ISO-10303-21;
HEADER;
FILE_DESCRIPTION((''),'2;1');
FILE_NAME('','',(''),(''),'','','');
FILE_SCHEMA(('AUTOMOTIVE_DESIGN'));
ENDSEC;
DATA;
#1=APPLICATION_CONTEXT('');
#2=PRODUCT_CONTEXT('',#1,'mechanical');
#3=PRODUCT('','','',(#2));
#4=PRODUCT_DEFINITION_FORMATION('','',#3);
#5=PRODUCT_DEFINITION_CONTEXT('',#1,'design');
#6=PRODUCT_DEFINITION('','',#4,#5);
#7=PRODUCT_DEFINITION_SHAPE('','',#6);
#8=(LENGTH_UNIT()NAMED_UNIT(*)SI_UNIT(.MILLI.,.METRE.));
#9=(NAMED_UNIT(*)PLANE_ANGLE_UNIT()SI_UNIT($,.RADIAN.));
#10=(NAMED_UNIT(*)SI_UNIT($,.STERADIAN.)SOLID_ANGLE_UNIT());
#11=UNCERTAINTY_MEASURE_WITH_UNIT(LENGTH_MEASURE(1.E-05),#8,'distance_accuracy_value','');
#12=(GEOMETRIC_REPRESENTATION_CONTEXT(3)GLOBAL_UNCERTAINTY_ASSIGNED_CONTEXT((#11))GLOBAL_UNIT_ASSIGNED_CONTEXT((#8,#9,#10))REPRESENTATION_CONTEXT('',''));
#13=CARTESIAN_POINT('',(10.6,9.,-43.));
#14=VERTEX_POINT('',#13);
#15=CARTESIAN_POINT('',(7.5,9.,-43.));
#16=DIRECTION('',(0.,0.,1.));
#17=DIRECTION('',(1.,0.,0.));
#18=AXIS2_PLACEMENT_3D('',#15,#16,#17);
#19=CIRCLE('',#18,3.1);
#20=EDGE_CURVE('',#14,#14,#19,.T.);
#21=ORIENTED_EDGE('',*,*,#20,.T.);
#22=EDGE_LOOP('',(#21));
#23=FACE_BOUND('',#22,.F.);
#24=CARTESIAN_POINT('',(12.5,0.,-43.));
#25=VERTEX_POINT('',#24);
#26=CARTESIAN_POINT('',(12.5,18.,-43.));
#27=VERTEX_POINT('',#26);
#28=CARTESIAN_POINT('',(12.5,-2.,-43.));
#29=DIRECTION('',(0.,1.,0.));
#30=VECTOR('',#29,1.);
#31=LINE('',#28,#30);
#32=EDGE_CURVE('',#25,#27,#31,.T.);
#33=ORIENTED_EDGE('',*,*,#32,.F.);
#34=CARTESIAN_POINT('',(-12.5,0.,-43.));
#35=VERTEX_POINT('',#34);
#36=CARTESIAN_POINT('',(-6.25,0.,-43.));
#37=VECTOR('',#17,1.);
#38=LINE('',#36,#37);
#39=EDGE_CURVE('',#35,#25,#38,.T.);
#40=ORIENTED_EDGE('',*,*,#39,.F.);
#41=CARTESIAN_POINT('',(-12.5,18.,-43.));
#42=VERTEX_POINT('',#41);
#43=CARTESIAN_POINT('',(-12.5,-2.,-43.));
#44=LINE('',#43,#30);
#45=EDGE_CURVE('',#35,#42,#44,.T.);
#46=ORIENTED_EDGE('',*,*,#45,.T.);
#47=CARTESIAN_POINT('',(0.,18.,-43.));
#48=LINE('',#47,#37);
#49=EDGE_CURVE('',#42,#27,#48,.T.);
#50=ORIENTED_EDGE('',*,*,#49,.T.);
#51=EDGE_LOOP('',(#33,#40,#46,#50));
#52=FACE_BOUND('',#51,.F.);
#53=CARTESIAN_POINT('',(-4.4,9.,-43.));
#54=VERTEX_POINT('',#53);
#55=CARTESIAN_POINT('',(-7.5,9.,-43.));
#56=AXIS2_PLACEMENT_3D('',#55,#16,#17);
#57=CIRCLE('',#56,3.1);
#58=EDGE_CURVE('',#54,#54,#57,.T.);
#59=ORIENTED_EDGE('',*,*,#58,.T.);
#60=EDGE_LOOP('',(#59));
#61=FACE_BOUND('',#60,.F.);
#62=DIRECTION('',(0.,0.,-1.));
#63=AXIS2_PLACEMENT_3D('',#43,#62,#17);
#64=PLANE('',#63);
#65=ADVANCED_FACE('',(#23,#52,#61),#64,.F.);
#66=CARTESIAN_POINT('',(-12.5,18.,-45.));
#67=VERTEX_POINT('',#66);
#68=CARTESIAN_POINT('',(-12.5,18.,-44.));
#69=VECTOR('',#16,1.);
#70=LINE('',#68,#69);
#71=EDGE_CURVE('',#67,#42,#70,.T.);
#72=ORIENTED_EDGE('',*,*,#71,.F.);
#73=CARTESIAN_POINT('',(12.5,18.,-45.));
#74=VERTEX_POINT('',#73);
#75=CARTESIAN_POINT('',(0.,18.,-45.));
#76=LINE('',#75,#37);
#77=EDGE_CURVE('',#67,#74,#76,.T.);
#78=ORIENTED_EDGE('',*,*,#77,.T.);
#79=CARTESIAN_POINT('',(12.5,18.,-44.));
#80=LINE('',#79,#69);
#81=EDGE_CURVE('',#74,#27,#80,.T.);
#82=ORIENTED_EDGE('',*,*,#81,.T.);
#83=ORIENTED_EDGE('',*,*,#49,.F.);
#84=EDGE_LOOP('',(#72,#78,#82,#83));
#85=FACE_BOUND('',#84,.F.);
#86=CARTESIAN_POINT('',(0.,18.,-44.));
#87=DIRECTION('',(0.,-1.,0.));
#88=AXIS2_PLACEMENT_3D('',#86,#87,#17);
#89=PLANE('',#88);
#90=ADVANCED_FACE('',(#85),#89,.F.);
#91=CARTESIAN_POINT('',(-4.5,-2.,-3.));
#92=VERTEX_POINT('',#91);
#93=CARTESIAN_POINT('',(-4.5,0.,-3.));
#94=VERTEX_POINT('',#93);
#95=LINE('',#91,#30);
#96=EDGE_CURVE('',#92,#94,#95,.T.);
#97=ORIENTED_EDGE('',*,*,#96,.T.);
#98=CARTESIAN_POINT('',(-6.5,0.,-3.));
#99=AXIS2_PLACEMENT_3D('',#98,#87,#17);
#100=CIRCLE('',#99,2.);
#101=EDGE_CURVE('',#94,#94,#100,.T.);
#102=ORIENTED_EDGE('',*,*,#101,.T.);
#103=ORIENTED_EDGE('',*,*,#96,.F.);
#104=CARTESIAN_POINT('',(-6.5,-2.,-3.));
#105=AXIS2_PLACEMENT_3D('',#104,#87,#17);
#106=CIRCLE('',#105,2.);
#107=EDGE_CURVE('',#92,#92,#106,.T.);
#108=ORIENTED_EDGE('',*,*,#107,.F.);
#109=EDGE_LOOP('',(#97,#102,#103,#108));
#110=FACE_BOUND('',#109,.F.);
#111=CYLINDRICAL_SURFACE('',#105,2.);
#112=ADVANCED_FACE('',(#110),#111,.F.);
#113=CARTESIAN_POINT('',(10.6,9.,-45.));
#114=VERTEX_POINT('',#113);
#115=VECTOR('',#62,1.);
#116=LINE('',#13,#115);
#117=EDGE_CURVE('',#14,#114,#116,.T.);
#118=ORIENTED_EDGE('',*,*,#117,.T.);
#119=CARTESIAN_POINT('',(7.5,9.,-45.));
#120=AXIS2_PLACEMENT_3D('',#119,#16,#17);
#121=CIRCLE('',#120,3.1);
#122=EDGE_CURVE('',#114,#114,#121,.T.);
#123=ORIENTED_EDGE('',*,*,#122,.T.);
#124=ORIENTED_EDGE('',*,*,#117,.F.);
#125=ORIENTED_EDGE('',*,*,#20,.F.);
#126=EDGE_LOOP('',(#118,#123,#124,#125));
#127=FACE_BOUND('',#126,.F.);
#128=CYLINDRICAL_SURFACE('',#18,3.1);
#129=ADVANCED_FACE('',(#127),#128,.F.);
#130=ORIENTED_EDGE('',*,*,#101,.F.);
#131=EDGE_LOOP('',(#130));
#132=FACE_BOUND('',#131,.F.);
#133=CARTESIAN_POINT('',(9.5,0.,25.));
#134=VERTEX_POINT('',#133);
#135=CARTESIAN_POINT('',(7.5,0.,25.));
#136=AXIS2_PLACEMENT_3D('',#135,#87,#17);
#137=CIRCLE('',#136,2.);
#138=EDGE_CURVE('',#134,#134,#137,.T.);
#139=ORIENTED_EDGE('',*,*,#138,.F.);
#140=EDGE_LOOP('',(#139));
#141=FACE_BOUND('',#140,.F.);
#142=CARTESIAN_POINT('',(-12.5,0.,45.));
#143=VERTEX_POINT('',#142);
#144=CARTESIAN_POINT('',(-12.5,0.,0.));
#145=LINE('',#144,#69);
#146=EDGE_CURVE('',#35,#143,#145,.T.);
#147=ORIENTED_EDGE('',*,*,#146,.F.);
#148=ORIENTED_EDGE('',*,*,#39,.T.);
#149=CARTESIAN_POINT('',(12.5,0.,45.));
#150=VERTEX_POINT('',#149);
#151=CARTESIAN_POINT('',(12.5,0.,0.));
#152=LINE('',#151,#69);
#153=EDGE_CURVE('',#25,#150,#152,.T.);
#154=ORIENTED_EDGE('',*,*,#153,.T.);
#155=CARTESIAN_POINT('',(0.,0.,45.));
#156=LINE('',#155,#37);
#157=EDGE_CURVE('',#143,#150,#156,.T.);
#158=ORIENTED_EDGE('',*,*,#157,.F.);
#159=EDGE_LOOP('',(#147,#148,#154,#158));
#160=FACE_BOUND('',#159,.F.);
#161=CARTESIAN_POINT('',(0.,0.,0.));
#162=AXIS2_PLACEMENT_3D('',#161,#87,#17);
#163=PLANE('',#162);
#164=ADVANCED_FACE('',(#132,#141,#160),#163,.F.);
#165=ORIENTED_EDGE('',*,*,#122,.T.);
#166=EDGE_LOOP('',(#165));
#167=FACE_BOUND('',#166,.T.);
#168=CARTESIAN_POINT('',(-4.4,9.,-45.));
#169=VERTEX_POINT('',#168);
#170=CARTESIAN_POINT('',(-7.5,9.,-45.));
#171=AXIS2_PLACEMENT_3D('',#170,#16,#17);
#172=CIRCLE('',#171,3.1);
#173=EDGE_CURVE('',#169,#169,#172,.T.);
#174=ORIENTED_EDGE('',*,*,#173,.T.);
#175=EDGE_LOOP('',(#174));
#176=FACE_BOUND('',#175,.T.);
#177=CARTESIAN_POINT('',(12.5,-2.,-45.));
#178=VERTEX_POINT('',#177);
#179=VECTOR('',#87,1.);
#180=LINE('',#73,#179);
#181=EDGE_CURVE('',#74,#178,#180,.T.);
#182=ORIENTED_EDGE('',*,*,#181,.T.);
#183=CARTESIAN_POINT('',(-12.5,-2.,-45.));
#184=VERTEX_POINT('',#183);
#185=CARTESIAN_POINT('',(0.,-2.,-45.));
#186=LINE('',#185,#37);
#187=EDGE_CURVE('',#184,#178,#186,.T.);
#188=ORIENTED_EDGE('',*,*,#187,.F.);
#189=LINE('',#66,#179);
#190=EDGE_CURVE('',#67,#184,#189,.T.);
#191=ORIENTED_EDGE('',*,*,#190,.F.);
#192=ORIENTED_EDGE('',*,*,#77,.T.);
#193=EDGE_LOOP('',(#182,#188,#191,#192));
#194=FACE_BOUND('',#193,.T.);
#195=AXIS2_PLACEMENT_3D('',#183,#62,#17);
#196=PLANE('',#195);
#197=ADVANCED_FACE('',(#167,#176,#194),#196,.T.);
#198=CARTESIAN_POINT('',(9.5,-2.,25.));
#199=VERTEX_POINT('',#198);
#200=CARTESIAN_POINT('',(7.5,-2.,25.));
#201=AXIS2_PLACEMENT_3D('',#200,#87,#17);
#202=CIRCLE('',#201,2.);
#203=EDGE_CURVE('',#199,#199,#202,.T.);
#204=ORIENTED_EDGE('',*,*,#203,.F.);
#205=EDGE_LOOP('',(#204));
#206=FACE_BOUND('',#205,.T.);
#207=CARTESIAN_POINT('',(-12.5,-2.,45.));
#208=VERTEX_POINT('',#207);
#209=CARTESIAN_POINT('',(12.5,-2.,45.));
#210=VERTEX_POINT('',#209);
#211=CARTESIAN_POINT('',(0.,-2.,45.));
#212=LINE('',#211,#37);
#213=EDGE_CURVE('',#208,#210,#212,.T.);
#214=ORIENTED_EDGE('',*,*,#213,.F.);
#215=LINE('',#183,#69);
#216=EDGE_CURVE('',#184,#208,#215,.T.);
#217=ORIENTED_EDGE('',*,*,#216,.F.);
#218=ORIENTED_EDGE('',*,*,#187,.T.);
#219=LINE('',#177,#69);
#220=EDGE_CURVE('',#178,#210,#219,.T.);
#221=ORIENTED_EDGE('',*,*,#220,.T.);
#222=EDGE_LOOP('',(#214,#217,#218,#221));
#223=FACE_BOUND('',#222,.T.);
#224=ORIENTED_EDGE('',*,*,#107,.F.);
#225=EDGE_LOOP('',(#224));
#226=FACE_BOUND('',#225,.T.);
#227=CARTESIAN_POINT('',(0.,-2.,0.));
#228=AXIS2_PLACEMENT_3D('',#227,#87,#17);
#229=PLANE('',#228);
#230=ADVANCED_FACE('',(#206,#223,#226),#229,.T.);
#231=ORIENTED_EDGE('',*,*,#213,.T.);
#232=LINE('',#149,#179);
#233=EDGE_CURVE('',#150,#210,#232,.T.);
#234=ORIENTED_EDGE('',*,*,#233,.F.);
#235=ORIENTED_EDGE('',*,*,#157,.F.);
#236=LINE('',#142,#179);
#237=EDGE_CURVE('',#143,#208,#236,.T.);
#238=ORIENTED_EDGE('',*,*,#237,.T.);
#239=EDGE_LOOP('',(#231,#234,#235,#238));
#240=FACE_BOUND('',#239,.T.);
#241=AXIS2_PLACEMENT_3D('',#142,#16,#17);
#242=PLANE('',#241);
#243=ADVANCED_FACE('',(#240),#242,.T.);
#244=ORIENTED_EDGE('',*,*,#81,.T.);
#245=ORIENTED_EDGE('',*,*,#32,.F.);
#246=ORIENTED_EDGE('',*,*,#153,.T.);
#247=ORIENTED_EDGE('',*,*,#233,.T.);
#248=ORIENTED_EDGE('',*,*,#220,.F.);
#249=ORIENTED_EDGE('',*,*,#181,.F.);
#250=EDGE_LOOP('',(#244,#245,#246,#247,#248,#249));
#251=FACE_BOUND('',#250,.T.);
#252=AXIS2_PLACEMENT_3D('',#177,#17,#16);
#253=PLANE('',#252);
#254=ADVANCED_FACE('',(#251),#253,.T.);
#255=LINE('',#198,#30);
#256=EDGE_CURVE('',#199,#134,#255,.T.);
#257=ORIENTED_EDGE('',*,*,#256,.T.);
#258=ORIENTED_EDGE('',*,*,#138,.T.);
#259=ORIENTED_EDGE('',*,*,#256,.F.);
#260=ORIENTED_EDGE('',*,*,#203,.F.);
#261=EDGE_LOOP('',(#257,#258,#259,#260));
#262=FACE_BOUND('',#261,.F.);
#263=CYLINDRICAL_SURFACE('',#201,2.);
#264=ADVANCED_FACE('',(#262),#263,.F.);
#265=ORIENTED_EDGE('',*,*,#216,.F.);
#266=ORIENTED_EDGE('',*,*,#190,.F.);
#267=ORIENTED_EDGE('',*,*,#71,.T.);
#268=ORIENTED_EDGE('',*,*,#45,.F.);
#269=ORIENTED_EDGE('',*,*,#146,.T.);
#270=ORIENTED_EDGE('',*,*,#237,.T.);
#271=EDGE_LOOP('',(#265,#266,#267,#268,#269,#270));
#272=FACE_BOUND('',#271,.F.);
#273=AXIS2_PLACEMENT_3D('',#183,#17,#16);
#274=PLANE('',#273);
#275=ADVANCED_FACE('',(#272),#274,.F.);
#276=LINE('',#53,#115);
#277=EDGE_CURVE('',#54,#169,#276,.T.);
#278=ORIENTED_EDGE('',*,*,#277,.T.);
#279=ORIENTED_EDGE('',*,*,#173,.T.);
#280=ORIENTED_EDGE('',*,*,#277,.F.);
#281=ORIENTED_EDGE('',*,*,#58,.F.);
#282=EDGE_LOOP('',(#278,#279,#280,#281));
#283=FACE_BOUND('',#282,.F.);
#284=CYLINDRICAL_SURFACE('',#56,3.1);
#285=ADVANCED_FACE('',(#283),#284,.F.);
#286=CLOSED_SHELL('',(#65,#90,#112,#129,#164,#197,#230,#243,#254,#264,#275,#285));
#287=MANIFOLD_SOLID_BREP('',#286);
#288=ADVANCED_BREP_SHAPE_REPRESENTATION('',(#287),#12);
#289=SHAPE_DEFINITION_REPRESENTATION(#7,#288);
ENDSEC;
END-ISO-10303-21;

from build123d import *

# Parameters (mm, degrees)
F0_W     = 25
F0_H     = 90
F1_DEPTH = 2
F2_W     = 25
F2_H     = 2
F3_DEPTH = 20
F4_R     = 2
F5_DEPTH = 25
F6_R     = 3.1
F7_DEPTH = 25


with BuildPart() as f1:
    # F0 (on Front) → F1 (new body)
    with BuildSketch(Plane.XZ):
        Rectangle(F0_W, F0_H)
    extrude(amount=F1_DEPTH)

    # F2 (on face) → F3 (join)
    with BuildSketch(Plane.XZ.offset(2)):
        with Locations((0, -44)):
            Rectangle(F2_W, F2_H)
    extrude(amount=-F3_DEPTH)

    # F4 (on face) → F5 (cut)
    with BuildSketch(Plane.XZ.offset(2)):
        with Locations((7.5, 25)):
            Circle(F4_R)
        with Locations((-6.5, -3)):
            Circle(F4_R)
    extrude(amount=-F5_DEPTH, mode=Mode.SUBTRACT)

    # F6 (on face) → F7 (cut)
    with BuildSketch(Plane.XY.offset(-43)):
        with Locations((7.5, 9)):
            Circle(F6_R)
        with Locations((-7.5, 9)):
            Circle(F6_R)
    extrude(amount=-F7_DEPTH, mode=Mode.SUBTRACT)


solid = f1.part
